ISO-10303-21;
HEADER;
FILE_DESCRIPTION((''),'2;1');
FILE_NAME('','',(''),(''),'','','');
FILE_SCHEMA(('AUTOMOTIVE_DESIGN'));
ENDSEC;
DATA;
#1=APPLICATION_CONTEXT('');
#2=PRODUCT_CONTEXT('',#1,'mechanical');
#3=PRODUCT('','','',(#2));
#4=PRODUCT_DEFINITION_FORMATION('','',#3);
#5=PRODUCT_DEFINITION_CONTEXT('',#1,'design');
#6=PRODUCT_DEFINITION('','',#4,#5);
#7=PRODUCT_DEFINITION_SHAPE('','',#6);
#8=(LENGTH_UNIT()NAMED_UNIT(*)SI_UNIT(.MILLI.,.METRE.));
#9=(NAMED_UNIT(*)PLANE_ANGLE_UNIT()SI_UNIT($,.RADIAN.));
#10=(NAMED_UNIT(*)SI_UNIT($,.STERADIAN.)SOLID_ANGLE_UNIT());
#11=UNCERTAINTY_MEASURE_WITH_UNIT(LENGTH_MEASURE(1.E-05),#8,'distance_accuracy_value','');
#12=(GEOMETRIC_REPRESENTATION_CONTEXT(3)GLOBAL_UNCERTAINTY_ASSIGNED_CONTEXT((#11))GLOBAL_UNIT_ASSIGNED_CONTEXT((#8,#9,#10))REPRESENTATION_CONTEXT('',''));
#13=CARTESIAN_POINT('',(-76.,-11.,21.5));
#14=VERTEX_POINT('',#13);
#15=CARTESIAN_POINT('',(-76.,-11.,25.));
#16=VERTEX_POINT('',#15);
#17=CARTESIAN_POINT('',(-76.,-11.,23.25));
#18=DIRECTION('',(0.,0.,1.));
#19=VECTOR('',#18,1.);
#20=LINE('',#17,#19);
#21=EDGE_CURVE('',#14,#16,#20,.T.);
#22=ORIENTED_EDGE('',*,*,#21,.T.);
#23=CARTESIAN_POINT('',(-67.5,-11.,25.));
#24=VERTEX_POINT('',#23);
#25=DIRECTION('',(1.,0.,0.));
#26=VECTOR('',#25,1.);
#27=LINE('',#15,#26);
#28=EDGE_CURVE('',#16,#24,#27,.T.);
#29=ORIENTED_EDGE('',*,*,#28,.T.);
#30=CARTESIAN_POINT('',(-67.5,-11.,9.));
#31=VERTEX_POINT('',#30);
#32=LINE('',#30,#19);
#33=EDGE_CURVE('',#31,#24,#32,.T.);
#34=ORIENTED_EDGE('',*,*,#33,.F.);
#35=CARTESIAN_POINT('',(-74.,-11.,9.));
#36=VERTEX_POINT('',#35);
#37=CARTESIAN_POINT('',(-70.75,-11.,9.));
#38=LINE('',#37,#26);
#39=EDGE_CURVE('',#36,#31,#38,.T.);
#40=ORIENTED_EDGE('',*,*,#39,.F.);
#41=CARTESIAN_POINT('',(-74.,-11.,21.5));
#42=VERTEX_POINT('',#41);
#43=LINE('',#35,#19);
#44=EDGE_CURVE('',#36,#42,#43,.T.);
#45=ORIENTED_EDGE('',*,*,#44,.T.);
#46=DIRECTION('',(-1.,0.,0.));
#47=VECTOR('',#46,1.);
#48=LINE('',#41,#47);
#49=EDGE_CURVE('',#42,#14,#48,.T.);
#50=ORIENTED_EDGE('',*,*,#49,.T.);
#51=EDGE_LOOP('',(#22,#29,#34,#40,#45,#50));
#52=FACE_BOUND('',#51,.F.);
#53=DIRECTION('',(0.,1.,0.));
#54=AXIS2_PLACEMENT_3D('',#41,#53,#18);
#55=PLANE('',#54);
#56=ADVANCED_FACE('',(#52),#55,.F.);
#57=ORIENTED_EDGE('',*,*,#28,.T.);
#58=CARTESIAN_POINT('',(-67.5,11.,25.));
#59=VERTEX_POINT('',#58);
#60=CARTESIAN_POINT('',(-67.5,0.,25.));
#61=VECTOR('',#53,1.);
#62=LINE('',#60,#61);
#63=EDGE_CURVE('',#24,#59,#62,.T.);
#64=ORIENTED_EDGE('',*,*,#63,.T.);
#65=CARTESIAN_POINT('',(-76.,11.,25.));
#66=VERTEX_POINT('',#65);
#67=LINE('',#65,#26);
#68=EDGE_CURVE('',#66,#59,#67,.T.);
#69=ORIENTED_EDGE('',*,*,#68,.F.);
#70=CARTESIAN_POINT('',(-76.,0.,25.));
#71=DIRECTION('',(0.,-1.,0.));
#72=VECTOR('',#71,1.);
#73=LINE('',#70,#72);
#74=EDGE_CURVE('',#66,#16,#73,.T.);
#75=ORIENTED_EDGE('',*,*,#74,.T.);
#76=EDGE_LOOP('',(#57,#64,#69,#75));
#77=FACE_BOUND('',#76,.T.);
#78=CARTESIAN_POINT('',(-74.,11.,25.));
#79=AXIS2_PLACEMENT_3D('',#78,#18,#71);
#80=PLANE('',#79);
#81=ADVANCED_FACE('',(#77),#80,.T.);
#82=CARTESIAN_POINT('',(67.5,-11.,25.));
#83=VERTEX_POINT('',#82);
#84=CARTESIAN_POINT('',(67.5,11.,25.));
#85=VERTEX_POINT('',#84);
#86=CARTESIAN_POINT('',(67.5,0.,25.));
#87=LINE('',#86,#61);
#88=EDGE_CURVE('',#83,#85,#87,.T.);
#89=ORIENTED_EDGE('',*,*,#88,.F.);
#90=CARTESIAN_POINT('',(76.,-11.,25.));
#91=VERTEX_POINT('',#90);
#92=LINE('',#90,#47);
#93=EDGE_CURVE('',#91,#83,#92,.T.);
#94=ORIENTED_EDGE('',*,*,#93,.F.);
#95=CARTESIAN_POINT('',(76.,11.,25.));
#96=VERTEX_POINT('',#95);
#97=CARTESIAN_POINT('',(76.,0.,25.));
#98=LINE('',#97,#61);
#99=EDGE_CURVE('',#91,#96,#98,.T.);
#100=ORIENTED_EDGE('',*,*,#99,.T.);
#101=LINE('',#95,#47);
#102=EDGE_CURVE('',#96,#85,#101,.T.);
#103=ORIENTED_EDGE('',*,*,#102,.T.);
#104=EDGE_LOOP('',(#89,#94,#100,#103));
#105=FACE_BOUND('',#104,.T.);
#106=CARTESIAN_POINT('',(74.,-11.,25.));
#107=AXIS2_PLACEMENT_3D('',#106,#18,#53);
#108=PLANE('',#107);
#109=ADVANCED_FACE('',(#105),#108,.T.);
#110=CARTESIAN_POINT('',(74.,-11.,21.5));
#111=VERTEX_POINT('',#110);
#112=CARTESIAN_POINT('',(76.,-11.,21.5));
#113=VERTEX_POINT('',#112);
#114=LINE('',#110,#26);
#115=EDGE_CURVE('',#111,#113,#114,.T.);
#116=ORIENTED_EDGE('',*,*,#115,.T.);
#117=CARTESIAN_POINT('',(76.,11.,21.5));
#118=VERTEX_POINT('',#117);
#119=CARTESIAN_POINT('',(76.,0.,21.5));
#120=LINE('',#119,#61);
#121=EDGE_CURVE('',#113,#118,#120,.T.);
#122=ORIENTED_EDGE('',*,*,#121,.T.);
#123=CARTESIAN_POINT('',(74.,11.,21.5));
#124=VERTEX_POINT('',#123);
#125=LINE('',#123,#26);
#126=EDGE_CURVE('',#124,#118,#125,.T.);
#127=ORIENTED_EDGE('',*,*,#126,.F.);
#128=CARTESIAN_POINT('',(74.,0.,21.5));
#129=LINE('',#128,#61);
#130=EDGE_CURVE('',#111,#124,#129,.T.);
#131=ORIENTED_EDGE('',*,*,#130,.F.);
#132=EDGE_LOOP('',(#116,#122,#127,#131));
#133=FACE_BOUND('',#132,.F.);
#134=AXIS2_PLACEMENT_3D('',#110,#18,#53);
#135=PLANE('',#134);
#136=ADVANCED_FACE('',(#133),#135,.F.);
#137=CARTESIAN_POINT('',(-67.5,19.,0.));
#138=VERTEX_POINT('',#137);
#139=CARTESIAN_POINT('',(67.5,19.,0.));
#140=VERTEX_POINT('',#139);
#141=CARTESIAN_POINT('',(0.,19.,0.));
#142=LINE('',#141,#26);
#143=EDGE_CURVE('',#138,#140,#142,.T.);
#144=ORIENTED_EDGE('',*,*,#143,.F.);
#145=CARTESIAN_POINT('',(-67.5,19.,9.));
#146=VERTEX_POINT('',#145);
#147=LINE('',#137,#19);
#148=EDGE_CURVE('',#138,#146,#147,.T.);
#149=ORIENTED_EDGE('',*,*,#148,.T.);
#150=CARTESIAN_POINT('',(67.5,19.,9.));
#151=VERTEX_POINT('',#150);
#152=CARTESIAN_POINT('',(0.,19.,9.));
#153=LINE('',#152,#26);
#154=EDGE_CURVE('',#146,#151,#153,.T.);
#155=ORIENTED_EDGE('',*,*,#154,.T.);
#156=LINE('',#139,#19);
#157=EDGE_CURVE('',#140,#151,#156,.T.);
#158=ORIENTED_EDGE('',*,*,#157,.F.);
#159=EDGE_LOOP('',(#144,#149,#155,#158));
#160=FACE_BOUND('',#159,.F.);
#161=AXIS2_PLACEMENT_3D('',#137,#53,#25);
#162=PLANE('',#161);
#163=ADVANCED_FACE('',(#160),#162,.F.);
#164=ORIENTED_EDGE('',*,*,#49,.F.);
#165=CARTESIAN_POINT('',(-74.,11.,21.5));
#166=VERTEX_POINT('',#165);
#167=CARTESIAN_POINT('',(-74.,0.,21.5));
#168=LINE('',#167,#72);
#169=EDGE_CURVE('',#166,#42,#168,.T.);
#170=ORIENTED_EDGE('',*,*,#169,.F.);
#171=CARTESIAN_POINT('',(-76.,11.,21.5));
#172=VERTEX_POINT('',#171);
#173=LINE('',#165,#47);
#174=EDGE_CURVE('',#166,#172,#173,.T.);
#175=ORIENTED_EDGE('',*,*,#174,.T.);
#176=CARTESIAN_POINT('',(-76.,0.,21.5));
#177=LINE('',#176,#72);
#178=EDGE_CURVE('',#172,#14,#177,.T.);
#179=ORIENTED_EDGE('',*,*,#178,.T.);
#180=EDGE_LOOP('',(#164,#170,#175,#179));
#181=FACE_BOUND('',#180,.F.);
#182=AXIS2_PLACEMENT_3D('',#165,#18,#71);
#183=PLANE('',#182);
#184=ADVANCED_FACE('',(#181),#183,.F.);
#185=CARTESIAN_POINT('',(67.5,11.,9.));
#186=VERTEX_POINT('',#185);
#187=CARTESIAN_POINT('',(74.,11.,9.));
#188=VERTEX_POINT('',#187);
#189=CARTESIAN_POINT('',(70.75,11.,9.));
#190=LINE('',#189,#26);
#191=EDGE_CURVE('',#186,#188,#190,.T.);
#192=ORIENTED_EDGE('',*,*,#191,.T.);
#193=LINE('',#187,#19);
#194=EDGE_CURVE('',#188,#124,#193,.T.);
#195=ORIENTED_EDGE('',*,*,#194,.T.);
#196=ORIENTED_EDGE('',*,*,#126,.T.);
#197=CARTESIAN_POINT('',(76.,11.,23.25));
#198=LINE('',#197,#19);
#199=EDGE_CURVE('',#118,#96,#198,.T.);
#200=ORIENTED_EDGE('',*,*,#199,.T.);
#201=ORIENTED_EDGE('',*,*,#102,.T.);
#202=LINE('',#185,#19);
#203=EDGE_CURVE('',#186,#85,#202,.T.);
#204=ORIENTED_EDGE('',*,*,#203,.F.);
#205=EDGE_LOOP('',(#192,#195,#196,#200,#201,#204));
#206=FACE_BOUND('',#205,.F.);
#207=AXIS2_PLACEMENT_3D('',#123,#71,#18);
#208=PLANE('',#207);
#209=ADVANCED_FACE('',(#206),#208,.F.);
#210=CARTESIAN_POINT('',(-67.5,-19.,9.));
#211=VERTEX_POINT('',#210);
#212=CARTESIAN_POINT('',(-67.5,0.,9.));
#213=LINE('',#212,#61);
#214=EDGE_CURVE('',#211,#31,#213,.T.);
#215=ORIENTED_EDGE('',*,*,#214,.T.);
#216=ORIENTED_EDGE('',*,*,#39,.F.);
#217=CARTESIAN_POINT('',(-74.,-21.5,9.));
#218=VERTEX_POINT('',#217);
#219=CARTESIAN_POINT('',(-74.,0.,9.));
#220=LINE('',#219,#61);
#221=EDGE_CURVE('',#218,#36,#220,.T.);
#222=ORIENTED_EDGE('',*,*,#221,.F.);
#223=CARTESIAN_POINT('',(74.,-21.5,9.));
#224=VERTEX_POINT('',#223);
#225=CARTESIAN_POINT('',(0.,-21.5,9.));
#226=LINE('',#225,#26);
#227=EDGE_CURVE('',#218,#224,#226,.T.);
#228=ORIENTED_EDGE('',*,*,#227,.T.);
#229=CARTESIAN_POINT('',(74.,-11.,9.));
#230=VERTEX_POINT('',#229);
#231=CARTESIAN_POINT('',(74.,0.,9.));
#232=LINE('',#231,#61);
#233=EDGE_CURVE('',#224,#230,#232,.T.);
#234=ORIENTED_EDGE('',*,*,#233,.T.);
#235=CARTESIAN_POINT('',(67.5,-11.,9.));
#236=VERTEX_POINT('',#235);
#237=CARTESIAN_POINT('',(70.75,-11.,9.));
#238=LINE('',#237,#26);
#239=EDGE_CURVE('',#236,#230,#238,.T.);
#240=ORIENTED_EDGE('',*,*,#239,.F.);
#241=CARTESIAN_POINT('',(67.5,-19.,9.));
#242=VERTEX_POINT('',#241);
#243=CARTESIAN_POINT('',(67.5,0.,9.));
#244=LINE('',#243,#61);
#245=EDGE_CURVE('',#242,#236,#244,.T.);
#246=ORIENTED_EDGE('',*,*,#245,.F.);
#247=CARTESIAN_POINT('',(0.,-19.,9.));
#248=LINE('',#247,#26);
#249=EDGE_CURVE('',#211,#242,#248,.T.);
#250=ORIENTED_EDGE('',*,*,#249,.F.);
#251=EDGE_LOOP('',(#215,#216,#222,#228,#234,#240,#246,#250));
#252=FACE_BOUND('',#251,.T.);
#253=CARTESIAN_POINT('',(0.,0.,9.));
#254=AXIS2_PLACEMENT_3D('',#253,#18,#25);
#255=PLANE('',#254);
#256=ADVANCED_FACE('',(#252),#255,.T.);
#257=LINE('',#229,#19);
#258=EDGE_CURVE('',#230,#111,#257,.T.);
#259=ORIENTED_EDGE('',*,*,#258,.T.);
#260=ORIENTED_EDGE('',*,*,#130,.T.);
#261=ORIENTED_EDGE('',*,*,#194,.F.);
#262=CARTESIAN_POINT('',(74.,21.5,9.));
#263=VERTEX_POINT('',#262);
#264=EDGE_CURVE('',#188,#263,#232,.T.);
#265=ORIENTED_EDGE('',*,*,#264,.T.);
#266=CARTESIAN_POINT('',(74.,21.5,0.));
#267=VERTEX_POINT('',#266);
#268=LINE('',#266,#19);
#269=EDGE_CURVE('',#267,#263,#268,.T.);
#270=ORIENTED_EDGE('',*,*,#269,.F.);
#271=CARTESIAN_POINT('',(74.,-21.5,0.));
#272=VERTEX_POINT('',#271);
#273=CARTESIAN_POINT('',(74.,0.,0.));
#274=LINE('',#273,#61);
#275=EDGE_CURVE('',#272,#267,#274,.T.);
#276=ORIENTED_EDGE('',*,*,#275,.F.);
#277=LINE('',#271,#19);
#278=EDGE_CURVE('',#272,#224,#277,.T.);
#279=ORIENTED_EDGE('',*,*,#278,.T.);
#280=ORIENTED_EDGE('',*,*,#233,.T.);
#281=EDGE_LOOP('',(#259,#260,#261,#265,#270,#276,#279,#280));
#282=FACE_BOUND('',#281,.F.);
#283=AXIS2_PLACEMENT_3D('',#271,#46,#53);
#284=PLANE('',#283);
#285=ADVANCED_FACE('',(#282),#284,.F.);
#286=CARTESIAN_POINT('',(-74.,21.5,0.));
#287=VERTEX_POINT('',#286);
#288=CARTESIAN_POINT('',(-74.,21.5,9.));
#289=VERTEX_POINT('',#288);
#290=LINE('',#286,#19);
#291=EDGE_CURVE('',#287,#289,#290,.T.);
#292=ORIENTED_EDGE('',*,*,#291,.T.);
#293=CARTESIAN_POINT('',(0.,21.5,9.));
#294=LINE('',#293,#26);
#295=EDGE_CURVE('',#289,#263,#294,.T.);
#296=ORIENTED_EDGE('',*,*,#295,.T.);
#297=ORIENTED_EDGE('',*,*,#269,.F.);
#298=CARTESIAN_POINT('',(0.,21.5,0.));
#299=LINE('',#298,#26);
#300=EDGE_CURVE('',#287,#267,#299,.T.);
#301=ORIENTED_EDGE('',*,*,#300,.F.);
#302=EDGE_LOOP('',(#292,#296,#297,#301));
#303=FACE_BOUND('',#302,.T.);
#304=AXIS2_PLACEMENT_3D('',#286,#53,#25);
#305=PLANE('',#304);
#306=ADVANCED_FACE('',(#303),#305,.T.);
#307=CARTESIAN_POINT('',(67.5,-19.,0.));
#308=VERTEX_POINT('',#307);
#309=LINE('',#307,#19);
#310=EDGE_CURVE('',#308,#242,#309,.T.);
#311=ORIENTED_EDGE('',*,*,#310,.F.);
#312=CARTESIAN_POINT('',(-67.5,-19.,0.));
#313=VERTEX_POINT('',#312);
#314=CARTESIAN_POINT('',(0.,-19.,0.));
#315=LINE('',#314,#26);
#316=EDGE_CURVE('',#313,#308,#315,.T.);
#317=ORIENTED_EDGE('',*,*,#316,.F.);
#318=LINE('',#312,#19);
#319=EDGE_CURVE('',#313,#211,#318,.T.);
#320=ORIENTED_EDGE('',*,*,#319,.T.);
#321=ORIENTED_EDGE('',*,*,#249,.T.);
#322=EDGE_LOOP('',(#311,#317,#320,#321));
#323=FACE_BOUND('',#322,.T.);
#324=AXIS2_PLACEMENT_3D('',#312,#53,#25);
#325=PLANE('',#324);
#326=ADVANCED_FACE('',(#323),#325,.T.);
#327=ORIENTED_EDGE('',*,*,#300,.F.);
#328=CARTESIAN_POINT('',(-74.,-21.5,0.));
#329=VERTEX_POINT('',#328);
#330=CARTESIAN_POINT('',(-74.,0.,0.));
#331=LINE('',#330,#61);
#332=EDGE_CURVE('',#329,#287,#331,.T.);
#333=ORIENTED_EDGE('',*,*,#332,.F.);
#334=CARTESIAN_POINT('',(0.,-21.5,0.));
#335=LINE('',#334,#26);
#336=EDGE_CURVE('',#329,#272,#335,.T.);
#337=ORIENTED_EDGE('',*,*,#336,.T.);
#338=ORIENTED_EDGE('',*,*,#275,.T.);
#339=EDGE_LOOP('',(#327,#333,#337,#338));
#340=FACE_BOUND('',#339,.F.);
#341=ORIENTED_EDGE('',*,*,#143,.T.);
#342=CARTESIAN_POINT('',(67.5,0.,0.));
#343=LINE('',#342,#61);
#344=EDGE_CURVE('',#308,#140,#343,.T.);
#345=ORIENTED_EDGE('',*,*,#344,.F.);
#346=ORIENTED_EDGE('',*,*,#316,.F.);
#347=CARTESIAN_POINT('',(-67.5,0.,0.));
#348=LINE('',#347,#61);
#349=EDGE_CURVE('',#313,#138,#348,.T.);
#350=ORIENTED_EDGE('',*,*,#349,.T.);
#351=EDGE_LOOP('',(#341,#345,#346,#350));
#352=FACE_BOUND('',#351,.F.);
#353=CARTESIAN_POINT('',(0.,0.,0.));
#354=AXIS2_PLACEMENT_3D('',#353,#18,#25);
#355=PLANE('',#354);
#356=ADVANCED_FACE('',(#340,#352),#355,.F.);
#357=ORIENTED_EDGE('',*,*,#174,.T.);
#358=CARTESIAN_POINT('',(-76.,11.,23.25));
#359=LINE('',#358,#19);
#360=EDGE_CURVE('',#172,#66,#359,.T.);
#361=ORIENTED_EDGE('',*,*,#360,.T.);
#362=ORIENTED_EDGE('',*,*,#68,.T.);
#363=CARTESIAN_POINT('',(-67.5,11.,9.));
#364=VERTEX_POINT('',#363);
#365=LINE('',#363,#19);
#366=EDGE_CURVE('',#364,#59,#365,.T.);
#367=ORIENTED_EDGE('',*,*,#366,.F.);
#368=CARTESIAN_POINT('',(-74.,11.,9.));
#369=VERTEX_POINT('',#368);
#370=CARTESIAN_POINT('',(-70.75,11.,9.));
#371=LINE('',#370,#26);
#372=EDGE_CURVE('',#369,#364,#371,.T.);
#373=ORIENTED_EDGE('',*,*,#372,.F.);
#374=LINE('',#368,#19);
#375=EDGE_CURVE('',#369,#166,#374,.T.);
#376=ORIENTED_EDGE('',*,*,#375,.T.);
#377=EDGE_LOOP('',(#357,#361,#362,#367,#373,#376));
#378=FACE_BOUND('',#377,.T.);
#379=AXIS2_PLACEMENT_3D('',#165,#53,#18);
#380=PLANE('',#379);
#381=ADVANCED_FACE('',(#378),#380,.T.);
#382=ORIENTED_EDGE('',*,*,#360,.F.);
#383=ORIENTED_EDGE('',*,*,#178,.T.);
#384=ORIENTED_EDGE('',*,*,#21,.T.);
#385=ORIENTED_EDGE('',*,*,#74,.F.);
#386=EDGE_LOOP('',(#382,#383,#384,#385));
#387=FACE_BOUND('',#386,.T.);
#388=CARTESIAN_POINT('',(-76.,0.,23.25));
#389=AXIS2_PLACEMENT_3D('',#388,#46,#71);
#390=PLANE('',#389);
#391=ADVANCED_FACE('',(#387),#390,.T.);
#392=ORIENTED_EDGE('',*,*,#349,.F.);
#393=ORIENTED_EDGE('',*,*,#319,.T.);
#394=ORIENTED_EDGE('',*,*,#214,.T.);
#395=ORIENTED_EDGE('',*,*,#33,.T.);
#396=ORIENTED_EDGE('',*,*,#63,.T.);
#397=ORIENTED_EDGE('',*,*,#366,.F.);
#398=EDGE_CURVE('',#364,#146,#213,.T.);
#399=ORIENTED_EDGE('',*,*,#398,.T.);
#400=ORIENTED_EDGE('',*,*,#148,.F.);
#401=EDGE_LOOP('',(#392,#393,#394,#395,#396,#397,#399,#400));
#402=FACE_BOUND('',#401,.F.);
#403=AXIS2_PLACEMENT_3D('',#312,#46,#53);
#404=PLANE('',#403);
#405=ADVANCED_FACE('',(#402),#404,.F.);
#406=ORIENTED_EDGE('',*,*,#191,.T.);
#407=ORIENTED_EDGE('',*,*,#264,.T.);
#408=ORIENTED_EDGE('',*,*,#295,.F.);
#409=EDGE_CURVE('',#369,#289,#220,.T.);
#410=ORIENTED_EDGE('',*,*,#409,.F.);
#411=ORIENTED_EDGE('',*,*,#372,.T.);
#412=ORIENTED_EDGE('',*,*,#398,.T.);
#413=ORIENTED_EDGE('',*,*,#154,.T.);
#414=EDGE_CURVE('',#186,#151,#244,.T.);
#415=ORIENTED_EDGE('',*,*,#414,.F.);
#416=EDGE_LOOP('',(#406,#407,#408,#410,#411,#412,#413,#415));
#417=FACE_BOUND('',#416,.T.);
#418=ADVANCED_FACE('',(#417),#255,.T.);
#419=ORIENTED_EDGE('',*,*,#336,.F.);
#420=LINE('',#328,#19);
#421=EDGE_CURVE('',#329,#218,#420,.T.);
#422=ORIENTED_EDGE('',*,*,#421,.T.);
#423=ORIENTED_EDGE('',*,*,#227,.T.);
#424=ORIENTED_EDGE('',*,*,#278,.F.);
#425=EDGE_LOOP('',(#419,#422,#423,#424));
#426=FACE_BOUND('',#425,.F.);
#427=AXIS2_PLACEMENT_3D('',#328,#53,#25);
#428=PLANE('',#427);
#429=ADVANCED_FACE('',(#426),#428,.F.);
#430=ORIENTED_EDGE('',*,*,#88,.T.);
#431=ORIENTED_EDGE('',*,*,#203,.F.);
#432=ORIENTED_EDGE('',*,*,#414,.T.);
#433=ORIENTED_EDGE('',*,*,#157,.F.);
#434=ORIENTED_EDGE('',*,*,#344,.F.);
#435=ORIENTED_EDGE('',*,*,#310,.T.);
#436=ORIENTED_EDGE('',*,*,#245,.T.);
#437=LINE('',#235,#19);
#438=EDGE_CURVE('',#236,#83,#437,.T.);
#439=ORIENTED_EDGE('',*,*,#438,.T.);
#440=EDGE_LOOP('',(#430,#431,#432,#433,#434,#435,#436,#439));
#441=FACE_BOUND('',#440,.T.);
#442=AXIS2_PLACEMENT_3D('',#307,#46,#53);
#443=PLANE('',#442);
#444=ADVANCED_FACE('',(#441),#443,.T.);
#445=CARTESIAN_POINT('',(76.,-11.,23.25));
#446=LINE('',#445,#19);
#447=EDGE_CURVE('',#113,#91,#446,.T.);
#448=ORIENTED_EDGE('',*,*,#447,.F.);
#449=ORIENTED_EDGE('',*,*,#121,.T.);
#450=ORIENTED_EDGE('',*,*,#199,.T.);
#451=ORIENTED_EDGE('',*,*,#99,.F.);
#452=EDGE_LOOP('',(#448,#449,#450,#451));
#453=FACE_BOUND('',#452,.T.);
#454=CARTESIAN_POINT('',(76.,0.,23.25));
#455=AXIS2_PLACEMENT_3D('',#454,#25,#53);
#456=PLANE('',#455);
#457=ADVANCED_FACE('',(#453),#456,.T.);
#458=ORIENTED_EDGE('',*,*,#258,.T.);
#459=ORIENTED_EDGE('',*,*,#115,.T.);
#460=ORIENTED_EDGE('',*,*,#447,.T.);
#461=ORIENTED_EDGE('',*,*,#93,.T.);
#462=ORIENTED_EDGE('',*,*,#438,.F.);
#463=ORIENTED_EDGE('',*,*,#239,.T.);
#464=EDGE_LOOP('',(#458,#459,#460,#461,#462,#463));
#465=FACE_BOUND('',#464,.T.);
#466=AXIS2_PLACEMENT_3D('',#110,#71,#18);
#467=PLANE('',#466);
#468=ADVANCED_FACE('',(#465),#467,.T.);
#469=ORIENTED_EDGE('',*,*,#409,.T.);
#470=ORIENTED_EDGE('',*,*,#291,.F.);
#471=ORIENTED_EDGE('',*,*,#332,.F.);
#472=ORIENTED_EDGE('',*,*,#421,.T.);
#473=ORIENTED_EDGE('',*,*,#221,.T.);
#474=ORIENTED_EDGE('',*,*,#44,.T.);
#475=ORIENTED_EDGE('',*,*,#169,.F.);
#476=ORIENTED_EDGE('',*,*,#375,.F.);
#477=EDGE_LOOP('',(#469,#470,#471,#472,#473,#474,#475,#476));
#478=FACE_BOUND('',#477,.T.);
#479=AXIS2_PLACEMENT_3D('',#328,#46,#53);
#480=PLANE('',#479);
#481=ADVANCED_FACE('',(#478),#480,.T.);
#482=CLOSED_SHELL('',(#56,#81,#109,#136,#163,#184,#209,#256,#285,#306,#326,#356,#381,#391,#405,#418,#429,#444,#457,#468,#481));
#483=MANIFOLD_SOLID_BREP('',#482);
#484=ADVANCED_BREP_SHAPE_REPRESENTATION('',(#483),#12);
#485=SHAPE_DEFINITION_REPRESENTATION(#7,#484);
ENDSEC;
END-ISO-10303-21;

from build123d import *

# Parameters (mm, degrees)
F0_W     = 148
F0_H     = 43
F0_W_2   = 135
F0_H_2   = 38
F1_DEPTH = 9
F2_W     = 6.5
F2_H     = 22
F3_DEPTH = 16
F4_W     = 22
F4_H     = 3.5
F5_DEPTH = 2
F6_W     = 22
F6_H     = 3.5
F7_DEPTH = 2


with BuildPart() as f1:
    # F0 (on Top) → F1 (new body)
    with BuildSketch(Plane.XY):
        Rectangle(F0_W, F0_H)
        Rectangle(F0_W_2, F0_H_2, mode=Mode.SUBTRACT)
    extrude(amount=F1_DEPTH)

    # F2 (on face) → F3 (join)
    with BuildSketch(Plane.XY.offset(9)):
        with Locations((-70.75, 0)):
            Rectangle(F2_W, F2_H)
        with Locations((70.75, 0)):
            Rectangle(F2_W, F2_H)
    extrude(amount=F3_DEPTH)

    # F4 (on face) → F5 (join)
    with BuildSketch(Plane(origin=(-74, 0, 0), x_dir=(0, -1, 0), z_dir=(-1, 0, 0))):
        with Locations((0, 23.25)):
            Rectangle(F4_W, F4_H)
    extrude(amount=F5_DEPTH)

    # F6 (on face) → F7 (join)
    with BuildSketch(Plane.YZ.offset(74)):
        with Locations((0, 23.25)):
            Rectangle(F6_W, F6_H)
    extrude(amount=F7_DEPTH)


with BuildPart() as f8_1:
    # F8: copy of F1
    add(f1.part)


solid = f8_1.part
